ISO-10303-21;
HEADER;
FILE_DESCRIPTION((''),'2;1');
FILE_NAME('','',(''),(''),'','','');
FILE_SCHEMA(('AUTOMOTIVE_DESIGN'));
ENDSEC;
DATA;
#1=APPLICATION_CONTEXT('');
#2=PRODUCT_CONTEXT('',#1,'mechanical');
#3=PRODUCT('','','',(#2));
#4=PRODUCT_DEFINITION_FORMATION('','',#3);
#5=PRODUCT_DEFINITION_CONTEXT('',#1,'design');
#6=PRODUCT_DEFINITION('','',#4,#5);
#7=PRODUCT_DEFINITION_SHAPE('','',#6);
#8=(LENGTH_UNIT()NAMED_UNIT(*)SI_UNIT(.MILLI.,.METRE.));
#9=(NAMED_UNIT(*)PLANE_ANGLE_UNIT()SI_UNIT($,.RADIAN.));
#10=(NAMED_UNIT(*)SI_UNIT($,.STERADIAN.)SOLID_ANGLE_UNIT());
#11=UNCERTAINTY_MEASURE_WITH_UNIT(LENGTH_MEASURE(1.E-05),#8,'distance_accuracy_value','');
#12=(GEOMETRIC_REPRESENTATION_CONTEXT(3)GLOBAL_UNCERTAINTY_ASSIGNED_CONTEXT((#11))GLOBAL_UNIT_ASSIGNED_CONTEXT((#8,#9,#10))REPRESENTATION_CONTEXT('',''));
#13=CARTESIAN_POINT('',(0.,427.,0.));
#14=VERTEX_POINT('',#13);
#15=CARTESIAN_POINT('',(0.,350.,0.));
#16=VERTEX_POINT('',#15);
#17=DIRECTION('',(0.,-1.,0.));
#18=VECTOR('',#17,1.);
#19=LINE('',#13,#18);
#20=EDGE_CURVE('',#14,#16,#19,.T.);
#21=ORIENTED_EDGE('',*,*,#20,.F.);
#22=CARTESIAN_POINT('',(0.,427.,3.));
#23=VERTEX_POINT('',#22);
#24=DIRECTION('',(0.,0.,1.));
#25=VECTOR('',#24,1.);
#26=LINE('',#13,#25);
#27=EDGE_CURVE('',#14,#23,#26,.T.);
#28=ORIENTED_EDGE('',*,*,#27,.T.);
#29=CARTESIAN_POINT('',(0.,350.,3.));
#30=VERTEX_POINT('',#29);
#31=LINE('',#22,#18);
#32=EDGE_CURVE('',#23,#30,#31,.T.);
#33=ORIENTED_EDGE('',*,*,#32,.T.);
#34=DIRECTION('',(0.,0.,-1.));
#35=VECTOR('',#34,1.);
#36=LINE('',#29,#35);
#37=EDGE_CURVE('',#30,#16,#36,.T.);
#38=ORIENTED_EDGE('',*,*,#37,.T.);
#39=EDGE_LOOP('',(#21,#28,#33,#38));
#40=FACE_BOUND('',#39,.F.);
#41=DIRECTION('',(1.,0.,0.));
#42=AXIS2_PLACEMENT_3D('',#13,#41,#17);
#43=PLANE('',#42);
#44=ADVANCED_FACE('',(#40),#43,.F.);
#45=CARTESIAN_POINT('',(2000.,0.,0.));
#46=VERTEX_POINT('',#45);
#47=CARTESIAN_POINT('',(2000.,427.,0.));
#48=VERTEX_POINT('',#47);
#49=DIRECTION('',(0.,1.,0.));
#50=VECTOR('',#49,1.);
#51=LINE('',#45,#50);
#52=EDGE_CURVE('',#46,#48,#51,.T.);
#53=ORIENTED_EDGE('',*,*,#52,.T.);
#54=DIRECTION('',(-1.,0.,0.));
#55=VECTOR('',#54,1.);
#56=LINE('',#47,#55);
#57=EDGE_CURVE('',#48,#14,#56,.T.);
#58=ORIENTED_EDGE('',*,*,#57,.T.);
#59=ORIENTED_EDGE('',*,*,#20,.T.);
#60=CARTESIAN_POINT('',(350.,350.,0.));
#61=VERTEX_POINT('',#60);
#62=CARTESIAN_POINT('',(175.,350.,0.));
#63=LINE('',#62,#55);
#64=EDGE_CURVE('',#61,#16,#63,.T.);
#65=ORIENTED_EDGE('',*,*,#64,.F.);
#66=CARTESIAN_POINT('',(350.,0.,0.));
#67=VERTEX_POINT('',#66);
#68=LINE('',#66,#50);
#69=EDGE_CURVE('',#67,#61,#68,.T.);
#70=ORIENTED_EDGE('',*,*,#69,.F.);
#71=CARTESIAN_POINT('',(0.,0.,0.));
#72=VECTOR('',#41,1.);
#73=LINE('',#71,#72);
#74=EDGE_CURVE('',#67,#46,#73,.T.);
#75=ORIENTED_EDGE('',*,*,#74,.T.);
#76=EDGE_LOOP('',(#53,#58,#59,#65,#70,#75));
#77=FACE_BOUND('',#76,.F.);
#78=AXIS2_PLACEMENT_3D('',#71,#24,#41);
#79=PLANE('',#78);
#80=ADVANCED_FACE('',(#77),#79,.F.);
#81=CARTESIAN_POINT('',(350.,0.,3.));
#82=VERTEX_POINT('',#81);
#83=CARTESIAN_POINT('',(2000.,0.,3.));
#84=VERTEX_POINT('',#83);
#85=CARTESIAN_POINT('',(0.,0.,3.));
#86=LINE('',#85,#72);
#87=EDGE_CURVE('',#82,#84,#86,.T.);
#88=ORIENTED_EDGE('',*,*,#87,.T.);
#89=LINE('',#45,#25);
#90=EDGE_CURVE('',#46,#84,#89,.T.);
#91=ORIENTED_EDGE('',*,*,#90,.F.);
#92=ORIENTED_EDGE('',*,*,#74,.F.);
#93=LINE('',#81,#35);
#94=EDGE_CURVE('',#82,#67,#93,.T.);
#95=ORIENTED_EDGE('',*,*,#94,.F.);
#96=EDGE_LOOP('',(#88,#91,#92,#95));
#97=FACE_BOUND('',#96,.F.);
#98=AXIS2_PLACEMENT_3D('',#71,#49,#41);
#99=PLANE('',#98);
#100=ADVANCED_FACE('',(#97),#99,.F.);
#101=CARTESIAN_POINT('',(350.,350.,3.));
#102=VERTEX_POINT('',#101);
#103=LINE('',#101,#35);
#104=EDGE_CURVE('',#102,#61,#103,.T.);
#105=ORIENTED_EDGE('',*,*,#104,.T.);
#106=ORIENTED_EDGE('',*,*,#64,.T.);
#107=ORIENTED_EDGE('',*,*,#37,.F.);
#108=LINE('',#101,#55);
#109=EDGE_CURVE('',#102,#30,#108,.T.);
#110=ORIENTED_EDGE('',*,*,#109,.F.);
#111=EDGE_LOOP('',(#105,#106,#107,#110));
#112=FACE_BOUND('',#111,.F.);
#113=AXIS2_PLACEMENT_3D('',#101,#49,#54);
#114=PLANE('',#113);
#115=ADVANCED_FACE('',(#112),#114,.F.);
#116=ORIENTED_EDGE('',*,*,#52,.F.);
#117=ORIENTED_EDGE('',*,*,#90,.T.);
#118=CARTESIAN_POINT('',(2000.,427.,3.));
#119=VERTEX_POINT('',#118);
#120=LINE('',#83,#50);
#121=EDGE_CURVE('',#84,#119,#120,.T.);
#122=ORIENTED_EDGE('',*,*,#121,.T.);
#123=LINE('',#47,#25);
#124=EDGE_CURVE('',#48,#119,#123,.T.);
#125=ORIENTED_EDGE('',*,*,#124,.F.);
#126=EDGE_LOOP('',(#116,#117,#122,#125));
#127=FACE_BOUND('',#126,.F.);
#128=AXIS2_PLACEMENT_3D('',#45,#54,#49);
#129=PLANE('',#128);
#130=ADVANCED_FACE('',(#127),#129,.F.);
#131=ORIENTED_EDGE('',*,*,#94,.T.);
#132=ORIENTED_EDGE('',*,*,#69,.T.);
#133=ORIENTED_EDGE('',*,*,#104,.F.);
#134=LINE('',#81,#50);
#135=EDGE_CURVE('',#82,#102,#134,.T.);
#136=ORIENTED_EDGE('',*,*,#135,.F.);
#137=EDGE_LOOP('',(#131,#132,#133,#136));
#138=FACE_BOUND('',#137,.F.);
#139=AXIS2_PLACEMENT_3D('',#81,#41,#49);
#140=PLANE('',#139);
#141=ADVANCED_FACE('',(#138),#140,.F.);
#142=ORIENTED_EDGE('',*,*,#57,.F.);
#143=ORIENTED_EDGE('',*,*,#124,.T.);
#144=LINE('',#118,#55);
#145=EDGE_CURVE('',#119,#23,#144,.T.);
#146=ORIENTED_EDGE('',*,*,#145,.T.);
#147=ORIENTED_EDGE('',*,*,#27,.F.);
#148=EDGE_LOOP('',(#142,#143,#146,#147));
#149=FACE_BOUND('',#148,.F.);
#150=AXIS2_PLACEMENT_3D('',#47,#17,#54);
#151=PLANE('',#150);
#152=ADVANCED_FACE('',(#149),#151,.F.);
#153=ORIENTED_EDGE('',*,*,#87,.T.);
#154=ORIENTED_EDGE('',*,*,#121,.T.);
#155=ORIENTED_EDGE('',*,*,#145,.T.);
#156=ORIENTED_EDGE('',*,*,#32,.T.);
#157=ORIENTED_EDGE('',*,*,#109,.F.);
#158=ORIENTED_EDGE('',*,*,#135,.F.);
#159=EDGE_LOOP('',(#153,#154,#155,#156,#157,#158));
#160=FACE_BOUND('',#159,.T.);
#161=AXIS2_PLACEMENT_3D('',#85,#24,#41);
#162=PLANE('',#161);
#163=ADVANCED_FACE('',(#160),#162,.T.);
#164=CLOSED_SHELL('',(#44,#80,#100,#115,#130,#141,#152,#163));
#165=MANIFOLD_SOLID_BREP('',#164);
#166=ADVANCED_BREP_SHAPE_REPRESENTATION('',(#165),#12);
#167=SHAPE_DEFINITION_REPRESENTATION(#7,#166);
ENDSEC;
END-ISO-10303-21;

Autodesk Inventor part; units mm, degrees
ref_plane "YZ Plane" through (0, 0, 0) normal (1, 0, 0) x (0, 1, 0)
ref_plane "XZ Plane" through (0, 0, 0) normal (0, 1, 0) x (-1, 0, 0)
ref_plane "XY Plane" through (0, 0, 0) normal (0, 0, 1) x (1, 0, 0)
sketch "Sketch1" plane through (0, 0, 0) normal (0, 0, 1) x (1, 0, 0)
  line L0 (0, 0) -> (2000, 0)
  line L1 (2000, 0) -> (2000, 427)
  line L2 (2000, 427) -> (0, 427)
  line L3 (0, 427) -> (0, 0)
  dimension "d0" = 2000
  dimension "d1" = 427
extrude "Extrusion1" add sketch "Sketch1" along normal blind 3
sketch "Sketch2" plane through (0, 0, 3) normal (0, 0, 1) x (1, 0, 0)
  line L0 (0, 427) -> (0, 0) projected
  line L1 (0, 0) -> (350, 0)
  line L2 (350, 0) -> (350, 350)
  line L3 (350, 350) -> (0, 350)
  line L4 (0, 350) -> (0, 0)
  point P0 (0, 350)
  dimension "d4" = 350
  dimension "d5" = 350
extrude "Extrusion2" cut sketch "Sketch2" against normal blind 10
properties part number "cover back" material "Nylon 6/6"
